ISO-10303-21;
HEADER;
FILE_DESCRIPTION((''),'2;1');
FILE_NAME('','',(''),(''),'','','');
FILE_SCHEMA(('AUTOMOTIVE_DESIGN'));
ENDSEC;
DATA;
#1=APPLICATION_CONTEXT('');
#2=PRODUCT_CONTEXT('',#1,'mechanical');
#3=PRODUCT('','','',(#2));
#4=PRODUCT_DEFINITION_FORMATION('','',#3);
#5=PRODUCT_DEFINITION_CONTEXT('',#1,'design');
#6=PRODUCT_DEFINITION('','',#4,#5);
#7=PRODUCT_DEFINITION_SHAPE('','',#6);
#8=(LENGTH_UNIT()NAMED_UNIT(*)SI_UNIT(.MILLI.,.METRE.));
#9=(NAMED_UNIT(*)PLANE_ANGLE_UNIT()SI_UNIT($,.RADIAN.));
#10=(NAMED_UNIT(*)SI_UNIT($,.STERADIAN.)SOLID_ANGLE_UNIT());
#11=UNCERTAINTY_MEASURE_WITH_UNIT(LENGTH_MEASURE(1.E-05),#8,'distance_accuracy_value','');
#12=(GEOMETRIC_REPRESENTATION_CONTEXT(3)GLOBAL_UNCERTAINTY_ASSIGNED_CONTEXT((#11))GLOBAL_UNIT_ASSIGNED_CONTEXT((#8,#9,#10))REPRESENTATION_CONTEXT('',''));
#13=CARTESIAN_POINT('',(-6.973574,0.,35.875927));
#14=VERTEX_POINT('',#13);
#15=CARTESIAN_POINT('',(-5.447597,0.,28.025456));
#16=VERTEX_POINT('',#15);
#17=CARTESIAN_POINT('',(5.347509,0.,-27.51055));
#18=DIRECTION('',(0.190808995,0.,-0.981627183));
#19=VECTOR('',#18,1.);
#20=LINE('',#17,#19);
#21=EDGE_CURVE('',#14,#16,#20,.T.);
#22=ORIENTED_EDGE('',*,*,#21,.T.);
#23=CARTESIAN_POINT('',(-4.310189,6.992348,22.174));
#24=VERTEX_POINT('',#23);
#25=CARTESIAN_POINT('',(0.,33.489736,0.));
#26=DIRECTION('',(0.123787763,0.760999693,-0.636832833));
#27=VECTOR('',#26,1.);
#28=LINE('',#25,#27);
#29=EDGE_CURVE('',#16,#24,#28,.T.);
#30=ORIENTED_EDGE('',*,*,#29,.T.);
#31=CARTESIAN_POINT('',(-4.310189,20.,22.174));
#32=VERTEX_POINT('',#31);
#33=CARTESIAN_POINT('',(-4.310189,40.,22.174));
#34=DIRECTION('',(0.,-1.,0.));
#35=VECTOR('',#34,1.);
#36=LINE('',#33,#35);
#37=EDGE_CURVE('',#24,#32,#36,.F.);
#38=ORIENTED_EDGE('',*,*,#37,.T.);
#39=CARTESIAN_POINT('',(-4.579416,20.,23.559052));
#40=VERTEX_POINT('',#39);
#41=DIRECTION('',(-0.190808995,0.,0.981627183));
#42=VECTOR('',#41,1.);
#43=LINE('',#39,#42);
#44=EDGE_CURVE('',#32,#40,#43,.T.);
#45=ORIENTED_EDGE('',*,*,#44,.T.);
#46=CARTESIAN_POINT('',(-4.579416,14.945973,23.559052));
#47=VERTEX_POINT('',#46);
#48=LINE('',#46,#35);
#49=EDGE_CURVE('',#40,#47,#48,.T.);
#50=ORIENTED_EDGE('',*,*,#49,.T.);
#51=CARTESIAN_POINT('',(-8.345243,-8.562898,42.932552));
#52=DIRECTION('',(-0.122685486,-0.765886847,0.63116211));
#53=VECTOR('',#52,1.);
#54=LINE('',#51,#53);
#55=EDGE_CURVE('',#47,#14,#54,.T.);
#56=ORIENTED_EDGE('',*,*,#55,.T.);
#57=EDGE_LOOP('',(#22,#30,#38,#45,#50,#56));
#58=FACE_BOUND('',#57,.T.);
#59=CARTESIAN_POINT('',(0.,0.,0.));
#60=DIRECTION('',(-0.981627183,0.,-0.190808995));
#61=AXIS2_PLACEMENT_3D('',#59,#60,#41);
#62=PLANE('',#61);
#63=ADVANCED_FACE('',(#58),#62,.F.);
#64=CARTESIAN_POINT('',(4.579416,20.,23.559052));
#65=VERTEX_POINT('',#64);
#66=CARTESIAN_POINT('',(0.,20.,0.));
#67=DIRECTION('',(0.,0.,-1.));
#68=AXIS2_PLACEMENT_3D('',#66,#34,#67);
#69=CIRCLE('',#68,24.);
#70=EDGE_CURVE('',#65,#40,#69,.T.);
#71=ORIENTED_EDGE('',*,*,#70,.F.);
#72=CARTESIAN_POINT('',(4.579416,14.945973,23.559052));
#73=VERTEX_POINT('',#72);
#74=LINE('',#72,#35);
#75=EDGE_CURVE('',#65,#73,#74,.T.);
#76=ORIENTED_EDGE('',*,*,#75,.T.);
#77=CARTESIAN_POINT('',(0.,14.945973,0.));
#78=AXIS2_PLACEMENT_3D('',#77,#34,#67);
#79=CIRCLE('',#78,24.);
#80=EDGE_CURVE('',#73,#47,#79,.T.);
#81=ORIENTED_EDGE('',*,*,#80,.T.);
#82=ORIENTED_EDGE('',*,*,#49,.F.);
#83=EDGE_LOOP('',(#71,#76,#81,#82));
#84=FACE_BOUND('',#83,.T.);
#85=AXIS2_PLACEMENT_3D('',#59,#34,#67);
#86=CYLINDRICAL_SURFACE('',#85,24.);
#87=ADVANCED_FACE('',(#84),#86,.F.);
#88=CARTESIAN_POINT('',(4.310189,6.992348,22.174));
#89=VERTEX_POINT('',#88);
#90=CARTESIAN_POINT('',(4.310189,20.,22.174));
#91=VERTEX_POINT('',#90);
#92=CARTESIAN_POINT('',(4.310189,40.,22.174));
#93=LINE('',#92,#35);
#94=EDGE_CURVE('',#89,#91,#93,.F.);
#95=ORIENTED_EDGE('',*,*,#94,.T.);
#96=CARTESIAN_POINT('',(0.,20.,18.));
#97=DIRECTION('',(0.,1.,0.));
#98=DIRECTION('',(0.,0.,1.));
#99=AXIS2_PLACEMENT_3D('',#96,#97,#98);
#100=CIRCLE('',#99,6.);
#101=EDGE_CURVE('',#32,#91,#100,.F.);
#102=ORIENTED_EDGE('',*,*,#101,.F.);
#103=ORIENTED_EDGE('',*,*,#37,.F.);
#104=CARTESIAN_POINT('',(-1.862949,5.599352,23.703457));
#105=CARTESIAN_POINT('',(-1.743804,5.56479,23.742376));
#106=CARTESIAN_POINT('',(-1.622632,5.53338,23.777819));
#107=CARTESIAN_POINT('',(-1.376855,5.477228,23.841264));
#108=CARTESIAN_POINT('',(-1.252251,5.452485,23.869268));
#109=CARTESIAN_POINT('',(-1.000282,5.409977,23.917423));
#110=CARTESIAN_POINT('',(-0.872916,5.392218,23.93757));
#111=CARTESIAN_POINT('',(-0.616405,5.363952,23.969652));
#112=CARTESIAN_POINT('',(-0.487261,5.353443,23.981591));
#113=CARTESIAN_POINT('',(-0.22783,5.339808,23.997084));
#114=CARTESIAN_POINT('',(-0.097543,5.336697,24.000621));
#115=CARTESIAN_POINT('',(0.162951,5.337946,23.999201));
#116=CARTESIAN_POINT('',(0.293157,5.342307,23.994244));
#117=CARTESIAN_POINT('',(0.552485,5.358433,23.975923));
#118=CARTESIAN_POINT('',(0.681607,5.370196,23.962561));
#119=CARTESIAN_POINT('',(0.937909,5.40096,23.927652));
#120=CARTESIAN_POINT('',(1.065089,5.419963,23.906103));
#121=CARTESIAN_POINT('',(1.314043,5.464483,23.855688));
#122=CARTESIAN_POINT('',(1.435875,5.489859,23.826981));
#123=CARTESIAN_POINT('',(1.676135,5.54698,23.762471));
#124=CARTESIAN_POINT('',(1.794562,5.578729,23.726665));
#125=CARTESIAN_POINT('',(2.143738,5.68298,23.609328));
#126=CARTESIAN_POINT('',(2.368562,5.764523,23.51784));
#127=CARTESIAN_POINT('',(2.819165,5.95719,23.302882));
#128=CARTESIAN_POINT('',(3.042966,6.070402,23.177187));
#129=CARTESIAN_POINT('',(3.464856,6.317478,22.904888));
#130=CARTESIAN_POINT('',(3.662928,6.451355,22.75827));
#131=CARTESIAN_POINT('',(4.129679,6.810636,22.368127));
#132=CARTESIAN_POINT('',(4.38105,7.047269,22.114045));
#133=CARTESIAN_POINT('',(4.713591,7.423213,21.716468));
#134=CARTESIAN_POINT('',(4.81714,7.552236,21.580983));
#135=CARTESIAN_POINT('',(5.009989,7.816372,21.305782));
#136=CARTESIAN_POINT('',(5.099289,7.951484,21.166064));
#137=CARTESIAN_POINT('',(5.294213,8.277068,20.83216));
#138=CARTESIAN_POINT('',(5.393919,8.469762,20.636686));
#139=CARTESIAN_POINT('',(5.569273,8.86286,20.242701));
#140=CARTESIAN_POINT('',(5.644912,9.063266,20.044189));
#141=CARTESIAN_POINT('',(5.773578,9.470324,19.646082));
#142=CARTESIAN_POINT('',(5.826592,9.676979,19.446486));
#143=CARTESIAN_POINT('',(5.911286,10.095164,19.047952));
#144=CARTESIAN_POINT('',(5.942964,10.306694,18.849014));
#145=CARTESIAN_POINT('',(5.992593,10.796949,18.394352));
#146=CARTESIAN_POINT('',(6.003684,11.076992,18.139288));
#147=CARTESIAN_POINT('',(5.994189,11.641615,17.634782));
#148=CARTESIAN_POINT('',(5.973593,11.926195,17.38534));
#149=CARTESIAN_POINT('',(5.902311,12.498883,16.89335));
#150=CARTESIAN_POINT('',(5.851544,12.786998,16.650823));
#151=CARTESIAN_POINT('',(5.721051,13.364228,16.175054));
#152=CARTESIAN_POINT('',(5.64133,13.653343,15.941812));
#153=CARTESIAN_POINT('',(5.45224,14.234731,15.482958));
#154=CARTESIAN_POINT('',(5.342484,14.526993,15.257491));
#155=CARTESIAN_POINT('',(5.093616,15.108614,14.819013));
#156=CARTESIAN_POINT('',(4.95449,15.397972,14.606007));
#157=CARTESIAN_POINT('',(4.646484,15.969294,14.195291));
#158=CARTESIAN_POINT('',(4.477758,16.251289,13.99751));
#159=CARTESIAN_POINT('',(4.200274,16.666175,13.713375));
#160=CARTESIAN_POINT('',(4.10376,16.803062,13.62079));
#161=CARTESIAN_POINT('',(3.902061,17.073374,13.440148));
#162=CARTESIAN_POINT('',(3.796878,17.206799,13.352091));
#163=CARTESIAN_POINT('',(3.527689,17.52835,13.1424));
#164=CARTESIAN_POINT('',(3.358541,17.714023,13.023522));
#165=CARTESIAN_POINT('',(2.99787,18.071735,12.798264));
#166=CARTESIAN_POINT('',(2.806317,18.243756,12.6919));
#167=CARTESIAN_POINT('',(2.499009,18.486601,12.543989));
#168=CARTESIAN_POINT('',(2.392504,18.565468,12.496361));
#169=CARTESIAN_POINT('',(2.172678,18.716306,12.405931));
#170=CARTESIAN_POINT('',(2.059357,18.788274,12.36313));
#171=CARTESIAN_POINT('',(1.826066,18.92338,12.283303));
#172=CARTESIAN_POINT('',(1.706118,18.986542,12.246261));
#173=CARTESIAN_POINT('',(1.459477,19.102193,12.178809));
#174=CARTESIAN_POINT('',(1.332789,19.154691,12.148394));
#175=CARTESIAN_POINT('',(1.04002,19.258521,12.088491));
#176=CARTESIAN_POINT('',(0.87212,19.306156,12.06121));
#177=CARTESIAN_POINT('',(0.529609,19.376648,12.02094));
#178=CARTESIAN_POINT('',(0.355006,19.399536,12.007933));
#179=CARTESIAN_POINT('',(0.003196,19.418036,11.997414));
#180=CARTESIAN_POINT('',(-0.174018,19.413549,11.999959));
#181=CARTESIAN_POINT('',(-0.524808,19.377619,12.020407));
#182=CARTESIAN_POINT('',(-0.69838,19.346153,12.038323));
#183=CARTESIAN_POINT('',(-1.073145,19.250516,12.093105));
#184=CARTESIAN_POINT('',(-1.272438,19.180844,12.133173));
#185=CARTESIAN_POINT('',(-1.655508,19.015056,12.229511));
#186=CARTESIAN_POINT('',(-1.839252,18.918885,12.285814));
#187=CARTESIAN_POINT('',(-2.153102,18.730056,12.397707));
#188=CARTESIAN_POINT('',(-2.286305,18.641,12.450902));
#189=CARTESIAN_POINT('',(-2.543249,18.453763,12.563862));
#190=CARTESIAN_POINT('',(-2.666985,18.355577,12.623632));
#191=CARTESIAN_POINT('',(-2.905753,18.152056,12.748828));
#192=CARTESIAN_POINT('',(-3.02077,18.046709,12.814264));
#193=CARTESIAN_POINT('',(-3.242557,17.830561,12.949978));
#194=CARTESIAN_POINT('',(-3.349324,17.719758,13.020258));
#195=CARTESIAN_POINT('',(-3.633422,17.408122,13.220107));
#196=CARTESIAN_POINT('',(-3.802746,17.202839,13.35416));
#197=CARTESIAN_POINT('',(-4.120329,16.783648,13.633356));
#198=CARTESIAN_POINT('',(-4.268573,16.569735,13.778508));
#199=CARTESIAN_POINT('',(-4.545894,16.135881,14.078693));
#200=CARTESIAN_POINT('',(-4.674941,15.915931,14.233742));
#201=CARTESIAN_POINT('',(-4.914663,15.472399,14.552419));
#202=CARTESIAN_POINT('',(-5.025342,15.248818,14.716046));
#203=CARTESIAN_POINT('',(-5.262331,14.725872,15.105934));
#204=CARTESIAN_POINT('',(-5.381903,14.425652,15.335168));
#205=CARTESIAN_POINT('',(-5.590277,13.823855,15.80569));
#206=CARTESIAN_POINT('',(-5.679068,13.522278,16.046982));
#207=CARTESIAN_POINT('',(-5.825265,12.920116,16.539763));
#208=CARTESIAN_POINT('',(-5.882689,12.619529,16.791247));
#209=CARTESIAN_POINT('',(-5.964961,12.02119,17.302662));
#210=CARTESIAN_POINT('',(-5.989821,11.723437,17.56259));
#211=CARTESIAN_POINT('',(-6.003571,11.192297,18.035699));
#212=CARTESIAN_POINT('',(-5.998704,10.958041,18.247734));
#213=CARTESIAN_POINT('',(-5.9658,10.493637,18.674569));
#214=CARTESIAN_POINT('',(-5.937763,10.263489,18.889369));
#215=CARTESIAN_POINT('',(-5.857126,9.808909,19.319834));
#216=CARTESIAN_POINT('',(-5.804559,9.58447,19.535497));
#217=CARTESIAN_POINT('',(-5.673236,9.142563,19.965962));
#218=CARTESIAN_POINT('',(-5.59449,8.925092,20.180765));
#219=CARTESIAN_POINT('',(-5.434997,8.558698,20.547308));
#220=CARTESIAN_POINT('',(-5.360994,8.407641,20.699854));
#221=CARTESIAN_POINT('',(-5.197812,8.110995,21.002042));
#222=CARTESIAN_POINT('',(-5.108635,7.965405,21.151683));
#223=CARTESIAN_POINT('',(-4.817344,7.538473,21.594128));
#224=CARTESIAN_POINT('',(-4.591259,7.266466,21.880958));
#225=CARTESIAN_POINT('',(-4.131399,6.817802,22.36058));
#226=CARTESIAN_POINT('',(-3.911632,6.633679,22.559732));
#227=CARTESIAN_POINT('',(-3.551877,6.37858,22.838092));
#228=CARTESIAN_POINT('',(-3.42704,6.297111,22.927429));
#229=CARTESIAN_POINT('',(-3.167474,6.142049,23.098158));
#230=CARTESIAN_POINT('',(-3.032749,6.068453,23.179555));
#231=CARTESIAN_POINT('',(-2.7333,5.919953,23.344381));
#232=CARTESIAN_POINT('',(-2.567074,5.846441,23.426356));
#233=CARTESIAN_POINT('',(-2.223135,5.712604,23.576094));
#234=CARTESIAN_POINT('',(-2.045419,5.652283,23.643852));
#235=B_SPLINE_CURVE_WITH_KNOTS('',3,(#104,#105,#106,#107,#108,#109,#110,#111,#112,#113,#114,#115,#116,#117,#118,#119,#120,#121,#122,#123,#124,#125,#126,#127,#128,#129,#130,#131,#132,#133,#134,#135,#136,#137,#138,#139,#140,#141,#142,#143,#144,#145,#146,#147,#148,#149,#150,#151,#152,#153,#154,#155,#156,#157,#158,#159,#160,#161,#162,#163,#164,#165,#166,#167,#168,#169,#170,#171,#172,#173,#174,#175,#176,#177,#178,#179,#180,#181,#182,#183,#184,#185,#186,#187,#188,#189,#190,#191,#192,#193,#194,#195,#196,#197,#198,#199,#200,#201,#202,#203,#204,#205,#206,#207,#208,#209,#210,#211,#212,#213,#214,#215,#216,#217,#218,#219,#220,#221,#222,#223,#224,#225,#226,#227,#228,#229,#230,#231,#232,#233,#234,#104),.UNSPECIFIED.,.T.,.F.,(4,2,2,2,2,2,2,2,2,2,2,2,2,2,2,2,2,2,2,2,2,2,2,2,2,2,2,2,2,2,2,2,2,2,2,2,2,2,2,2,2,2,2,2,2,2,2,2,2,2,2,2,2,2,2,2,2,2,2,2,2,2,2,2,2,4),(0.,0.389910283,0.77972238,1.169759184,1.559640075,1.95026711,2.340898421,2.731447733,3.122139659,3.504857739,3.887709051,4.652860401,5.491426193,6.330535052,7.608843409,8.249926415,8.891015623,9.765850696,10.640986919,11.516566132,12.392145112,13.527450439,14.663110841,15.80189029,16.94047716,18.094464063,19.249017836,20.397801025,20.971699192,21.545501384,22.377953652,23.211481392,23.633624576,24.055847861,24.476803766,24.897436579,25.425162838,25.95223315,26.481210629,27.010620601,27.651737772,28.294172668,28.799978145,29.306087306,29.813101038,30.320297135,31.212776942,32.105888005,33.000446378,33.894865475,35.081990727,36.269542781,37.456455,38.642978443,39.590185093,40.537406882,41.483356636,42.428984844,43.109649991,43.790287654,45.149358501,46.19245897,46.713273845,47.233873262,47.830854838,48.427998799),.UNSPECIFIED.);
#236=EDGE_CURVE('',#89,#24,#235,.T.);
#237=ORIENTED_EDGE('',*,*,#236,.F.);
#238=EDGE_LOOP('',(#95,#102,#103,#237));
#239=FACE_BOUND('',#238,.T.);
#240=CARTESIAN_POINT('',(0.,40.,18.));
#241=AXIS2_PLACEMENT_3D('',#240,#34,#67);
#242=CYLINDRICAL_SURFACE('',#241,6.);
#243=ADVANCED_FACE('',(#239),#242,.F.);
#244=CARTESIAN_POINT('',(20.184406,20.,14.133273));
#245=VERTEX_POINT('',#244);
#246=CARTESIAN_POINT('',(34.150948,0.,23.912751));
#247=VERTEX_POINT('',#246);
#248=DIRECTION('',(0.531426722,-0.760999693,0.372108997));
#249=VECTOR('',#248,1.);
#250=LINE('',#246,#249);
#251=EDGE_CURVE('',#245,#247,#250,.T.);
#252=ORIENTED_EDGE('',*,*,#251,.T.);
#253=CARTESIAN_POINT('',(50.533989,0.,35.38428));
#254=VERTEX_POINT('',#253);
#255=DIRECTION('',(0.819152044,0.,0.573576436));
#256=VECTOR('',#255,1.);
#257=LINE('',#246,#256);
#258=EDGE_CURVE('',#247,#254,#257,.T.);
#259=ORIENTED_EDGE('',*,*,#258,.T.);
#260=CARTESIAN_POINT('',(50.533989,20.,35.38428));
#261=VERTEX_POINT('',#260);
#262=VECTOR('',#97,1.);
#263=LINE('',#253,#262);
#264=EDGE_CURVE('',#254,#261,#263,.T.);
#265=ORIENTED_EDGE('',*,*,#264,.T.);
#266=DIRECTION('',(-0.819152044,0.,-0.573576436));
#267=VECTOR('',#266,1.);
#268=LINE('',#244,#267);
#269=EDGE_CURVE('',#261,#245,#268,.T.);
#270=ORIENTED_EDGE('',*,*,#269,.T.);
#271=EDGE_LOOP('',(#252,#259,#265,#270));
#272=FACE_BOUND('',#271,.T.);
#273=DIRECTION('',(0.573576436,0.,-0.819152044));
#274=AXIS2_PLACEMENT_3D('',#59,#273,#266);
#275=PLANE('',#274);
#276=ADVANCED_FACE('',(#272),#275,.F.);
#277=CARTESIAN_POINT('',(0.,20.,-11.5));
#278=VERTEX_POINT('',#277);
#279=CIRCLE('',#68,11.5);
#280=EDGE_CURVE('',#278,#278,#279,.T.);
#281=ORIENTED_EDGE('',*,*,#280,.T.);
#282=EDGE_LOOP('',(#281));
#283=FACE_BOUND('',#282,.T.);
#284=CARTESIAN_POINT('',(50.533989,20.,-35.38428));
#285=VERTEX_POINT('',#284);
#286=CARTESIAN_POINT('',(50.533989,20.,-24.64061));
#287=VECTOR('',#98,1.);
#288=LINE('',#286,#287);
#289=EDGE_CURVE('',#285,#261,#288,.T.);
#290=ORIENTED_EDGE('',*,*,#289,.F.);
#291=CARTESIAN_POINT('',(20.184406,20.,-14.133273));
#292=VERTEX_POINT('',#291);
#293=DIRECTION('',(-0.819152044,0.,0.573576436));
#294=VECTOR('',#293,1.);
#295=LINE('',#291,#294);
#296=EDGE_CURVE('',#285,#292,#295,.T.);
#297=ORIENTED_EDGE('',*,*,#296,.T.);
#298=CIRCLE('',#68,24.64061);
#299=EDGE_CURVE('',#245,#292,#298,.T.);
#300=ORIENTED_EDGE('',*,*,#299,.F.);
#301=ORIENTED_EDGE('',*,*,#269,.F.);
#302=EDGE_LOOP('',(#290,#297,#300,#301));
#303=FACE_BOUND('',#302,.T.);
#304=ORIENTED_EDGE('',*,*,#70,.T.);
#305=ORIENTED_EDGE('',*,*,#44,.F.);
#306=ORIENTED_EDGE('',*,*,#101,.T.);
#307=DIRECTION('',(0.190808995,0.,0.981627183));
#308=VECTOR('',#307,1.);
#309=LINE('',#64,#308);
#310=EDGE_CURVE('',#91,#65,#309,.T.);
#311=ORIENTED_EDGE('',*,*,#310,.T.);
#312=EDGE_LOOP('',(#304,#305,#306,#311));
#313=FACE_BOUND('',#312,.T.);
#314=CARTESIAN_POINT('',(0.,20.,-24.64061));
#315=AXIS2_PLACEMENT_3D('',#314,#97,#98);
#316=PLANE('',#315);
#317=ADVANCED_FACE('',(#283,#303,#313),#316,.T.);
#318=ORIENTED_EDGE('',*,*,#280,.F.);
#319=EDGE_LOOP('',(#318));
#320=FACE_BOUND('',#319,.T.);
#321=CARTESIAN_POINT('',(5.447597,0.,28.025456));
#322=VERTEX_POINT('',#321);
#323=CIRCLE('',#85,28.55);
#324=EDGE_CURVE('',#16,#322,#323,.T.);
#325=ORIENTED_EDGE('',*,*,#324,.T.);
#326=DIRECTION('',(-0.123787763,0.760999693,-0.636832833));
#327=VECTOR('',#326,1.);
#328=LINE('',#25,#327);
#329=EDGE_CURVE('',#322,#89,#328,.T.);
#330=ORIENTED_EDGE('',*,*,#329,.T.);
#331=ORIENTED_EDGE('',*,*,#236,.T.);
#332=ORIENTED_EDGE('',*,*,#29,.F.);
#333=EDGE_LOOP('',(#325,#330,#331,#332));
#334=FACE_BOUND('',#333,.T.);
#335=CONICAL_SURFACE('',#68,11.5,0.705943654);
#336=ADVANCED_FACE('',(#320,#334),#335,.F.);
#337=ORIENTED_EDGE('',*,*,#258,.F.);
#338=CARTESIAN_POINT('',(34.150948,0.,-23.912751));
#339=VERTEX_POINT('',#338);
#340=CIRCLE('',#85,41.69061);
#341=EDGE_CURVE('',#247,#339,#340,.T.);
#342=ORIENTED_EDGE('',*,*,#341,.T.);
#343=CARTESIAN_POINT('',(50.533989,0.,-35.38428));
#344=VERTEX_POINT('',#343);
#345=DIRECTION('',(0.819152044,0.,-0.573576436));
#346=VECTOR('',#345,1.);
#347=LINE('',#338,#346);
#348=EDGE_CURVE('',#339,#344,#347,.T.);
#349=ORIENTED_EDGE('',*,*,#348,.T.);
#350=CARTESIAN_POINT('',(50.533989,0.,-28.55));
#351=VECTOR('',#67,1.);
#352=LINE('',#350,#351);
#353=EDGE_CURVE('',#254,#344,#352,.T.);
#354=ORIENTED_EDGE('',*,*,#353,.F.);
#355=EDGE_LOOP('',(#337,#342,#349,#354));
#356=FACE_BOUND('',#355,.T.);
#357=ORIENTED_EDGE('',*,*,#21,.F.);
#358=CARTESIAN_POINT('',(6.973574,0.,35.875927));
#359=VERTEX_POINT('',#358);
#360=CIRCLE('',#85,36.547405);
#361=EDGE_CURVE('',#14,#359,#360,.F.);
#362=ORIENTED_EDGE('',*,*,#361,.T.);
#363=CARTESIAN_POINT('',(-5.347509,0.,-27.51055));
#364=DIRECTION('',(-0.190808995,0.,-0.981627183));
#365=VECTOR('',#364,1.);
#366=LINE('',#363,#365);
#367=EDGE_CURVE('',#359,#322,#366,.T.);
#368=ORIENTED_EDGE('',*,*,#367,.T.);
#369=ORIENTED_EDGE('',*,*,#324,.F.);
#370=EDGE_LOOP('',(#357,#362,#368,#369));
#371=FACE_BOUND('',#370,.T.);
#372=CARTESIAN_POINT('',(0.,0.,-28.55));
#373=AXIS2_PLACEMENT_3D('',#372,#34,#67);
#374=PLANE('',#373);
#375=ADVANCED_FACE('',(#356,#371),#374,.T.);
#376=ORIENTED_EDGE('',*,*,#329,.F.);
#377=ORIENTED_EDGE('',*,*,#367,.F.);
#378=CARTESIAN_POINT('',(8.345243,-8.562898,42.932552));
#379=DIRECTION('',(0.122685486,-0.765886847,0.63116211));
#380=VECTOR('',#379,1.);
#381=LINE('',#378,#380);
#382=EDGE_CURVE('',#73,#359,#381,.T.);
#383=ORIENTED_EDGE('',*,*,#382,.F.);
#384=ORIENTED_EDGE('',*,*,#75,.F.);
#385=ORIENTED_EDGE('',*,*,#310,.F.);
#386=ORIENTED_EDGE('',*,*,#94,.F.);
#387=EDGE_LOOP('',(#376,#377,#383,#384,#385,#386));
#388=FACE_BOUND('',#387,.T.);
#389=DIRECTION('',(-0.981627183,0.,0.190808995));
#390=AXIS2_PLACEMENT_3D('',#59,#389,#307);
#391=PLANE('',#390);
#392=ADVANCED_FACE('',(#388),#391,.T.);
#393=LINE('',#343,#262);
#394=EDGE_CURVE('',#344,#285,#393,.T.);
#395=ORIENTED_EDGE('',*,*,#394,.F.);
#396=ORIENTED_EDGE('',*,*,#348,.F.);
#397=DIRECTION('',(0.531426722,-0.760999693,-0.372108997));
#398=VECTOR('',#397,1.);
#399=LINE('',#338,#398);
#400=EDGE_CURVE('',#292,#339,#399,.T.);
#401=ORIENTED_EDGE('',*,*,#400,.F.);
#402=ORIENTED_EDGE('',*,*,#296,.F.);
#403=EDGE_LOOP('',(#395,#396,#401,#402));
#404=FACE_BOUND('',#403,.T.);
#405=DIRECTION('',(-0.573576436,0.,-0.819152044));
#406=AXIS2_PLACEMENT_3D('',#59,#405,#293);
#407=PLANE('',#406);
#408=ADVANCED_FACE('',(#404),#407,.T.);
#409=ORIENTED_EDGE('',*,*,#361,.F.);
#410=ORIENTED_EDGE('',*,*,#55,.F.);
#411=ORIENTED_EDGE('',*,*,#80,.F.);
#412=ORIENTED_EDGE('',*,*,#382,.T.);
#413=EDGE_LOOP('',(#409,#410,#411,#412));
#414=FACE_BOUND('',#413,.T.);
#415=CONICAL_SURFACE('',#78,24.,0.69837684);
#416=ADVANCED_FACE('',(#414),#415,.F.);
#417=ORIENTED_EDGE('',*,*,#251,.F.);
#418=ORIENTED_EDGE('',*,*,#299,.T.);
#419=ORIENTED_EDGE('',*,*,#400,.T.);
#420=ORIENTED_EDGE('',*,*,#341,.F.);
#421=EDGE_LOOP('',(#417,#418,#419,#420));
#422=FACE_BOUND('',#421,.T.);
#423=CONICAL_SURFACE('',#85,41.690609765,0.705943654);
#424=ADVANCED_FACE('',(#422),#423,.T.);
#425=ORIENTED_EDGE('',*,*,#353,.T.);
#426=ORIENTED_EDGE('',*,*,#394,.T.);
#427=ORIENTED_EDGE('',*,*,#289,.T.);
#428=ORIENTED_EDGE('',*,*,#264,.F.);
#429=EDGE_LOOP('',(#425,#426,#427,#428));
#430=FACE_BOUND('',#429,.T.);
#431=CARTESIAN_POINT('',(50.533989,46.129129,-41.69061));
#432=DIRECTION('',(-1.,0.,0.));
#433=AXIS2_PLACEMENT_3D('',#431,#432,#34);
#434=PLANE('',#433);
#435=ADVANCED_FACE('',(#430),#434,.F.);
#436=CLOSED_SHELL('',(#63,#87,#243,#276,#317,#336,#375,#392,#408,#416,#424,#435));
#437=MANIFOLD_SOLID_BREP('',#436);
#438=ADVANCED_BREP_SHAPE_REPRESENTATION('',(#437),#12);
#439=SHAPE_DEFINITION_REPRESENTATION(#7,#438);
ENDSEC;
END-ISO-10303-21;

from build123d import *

# Parameters (mm, degrees)
REVOLVE2_ANGLE          = 70
CUT_EXTRUDE1_DEPTH      = 78.096292231
CUT_EXTRUDE1_DEPTH_BACK = 78.096292231
SKETCH4_W               = 54.680091263
SKETCH4_H               = 66.719762054
SKETCH5_R               = 6
CUT_EXTRUDE2_DEPTH      = 40
CUT_REVOLVE1_ANGLE      = 22


with BuildPart() as part:
    # Sketch1 → Revolve1 (revolve)
    with BuildSketch(Plane(origin=(0, 0, 0), x_dir=(0, 0, -1), z_dir=(1, 0, 0))):
        Polygon((11.5, 20), (28.55, 0), (41.690609765, 0), (24.640609765, 20), align=None)
    revolve(axis=Axis((0, 0, 0), (0, 1, 0)))

    # Sketch3 → Revolve2 (revolve, symmetric)
    with BuildSketch(Plane.XY) as revolve2_sk:
        Polygon((24.640609765, 20), (61.690609765, 20), (61.690609765, 0), (41.690609765, 0), align=None)
    revolve(axis=Axis((0, 0, 0), (0, 1, 0)), revolution_arc=REVOLVE2_ANGLE / 2)
    revolve(revolve2_sk.sketch, axis=Axis((0, 0, 0), (0, -1, 0)), revolution_arc=REVOLVE2_ANGLE / 2)

    # Sketch4 → Cut-Extrude1 (cut, two sides: drawn at the far end of the back side and taken through both)
    with BuildSketch(Plane.XY.offset(-CUT_EXTRUDE1_DEPTH_BACK)):
        with Locations((77.874034735, 12.769248077)):
            Rectangle(SKETCH4_W, SKETCH4_H)
    extrude(amount=CUT_EXTRUDE1_DEPTH + CUT_EXTRUDE1_DEPTH_BACK, mode=Mode.SUBTRACT)

    # Sketch5 → Cut-Extrude2 (cut)
    with BuildSketch(Plane(origin=(0, 0, 0), x_dir=(1, 0, 0), z_dir=(0, 1, 0))):
        with Locations(Location((0, -18, 0), (0, 0, 251.911143057))):
            Circle(SKETCH5_R)
    extrude(amount=CUT_EXTRUDE2_DEPTH, mode=Mode.SUBTRACT)

    # Sketch7 → Cut-Revolve1 (revolve, symmetric, cut)
    with BuildSketch(Plane(origin=(0, 0, 0), x_dir=(0, 0, -1), z_dir=(1, 0, 0))) as cut_revolve1_sk:
        Polygon((-43.736107379, -8.562897575), (-24, 14.94597317), (-24, 20), (-18.43156125, 20), (-18.70488034, 12.563709667), (-17.388176204, -8.562897575), align=None)
    revolve(axis=Axis((0, 0, 0), (0, 1, 0)), revolution_arc=CUT_REVOLVE1_ANGLE / 2, mode=Mode.SUBTRACT)
    revolve(cut_revolve1_sk.sketch, axis=Axis((0, 0, 0), (0, -1, 0)), revolution_arc=CUT_REVOLVE1_ANGLE / 2, mode=Mode.SUBTRACT)


solid = part.part
